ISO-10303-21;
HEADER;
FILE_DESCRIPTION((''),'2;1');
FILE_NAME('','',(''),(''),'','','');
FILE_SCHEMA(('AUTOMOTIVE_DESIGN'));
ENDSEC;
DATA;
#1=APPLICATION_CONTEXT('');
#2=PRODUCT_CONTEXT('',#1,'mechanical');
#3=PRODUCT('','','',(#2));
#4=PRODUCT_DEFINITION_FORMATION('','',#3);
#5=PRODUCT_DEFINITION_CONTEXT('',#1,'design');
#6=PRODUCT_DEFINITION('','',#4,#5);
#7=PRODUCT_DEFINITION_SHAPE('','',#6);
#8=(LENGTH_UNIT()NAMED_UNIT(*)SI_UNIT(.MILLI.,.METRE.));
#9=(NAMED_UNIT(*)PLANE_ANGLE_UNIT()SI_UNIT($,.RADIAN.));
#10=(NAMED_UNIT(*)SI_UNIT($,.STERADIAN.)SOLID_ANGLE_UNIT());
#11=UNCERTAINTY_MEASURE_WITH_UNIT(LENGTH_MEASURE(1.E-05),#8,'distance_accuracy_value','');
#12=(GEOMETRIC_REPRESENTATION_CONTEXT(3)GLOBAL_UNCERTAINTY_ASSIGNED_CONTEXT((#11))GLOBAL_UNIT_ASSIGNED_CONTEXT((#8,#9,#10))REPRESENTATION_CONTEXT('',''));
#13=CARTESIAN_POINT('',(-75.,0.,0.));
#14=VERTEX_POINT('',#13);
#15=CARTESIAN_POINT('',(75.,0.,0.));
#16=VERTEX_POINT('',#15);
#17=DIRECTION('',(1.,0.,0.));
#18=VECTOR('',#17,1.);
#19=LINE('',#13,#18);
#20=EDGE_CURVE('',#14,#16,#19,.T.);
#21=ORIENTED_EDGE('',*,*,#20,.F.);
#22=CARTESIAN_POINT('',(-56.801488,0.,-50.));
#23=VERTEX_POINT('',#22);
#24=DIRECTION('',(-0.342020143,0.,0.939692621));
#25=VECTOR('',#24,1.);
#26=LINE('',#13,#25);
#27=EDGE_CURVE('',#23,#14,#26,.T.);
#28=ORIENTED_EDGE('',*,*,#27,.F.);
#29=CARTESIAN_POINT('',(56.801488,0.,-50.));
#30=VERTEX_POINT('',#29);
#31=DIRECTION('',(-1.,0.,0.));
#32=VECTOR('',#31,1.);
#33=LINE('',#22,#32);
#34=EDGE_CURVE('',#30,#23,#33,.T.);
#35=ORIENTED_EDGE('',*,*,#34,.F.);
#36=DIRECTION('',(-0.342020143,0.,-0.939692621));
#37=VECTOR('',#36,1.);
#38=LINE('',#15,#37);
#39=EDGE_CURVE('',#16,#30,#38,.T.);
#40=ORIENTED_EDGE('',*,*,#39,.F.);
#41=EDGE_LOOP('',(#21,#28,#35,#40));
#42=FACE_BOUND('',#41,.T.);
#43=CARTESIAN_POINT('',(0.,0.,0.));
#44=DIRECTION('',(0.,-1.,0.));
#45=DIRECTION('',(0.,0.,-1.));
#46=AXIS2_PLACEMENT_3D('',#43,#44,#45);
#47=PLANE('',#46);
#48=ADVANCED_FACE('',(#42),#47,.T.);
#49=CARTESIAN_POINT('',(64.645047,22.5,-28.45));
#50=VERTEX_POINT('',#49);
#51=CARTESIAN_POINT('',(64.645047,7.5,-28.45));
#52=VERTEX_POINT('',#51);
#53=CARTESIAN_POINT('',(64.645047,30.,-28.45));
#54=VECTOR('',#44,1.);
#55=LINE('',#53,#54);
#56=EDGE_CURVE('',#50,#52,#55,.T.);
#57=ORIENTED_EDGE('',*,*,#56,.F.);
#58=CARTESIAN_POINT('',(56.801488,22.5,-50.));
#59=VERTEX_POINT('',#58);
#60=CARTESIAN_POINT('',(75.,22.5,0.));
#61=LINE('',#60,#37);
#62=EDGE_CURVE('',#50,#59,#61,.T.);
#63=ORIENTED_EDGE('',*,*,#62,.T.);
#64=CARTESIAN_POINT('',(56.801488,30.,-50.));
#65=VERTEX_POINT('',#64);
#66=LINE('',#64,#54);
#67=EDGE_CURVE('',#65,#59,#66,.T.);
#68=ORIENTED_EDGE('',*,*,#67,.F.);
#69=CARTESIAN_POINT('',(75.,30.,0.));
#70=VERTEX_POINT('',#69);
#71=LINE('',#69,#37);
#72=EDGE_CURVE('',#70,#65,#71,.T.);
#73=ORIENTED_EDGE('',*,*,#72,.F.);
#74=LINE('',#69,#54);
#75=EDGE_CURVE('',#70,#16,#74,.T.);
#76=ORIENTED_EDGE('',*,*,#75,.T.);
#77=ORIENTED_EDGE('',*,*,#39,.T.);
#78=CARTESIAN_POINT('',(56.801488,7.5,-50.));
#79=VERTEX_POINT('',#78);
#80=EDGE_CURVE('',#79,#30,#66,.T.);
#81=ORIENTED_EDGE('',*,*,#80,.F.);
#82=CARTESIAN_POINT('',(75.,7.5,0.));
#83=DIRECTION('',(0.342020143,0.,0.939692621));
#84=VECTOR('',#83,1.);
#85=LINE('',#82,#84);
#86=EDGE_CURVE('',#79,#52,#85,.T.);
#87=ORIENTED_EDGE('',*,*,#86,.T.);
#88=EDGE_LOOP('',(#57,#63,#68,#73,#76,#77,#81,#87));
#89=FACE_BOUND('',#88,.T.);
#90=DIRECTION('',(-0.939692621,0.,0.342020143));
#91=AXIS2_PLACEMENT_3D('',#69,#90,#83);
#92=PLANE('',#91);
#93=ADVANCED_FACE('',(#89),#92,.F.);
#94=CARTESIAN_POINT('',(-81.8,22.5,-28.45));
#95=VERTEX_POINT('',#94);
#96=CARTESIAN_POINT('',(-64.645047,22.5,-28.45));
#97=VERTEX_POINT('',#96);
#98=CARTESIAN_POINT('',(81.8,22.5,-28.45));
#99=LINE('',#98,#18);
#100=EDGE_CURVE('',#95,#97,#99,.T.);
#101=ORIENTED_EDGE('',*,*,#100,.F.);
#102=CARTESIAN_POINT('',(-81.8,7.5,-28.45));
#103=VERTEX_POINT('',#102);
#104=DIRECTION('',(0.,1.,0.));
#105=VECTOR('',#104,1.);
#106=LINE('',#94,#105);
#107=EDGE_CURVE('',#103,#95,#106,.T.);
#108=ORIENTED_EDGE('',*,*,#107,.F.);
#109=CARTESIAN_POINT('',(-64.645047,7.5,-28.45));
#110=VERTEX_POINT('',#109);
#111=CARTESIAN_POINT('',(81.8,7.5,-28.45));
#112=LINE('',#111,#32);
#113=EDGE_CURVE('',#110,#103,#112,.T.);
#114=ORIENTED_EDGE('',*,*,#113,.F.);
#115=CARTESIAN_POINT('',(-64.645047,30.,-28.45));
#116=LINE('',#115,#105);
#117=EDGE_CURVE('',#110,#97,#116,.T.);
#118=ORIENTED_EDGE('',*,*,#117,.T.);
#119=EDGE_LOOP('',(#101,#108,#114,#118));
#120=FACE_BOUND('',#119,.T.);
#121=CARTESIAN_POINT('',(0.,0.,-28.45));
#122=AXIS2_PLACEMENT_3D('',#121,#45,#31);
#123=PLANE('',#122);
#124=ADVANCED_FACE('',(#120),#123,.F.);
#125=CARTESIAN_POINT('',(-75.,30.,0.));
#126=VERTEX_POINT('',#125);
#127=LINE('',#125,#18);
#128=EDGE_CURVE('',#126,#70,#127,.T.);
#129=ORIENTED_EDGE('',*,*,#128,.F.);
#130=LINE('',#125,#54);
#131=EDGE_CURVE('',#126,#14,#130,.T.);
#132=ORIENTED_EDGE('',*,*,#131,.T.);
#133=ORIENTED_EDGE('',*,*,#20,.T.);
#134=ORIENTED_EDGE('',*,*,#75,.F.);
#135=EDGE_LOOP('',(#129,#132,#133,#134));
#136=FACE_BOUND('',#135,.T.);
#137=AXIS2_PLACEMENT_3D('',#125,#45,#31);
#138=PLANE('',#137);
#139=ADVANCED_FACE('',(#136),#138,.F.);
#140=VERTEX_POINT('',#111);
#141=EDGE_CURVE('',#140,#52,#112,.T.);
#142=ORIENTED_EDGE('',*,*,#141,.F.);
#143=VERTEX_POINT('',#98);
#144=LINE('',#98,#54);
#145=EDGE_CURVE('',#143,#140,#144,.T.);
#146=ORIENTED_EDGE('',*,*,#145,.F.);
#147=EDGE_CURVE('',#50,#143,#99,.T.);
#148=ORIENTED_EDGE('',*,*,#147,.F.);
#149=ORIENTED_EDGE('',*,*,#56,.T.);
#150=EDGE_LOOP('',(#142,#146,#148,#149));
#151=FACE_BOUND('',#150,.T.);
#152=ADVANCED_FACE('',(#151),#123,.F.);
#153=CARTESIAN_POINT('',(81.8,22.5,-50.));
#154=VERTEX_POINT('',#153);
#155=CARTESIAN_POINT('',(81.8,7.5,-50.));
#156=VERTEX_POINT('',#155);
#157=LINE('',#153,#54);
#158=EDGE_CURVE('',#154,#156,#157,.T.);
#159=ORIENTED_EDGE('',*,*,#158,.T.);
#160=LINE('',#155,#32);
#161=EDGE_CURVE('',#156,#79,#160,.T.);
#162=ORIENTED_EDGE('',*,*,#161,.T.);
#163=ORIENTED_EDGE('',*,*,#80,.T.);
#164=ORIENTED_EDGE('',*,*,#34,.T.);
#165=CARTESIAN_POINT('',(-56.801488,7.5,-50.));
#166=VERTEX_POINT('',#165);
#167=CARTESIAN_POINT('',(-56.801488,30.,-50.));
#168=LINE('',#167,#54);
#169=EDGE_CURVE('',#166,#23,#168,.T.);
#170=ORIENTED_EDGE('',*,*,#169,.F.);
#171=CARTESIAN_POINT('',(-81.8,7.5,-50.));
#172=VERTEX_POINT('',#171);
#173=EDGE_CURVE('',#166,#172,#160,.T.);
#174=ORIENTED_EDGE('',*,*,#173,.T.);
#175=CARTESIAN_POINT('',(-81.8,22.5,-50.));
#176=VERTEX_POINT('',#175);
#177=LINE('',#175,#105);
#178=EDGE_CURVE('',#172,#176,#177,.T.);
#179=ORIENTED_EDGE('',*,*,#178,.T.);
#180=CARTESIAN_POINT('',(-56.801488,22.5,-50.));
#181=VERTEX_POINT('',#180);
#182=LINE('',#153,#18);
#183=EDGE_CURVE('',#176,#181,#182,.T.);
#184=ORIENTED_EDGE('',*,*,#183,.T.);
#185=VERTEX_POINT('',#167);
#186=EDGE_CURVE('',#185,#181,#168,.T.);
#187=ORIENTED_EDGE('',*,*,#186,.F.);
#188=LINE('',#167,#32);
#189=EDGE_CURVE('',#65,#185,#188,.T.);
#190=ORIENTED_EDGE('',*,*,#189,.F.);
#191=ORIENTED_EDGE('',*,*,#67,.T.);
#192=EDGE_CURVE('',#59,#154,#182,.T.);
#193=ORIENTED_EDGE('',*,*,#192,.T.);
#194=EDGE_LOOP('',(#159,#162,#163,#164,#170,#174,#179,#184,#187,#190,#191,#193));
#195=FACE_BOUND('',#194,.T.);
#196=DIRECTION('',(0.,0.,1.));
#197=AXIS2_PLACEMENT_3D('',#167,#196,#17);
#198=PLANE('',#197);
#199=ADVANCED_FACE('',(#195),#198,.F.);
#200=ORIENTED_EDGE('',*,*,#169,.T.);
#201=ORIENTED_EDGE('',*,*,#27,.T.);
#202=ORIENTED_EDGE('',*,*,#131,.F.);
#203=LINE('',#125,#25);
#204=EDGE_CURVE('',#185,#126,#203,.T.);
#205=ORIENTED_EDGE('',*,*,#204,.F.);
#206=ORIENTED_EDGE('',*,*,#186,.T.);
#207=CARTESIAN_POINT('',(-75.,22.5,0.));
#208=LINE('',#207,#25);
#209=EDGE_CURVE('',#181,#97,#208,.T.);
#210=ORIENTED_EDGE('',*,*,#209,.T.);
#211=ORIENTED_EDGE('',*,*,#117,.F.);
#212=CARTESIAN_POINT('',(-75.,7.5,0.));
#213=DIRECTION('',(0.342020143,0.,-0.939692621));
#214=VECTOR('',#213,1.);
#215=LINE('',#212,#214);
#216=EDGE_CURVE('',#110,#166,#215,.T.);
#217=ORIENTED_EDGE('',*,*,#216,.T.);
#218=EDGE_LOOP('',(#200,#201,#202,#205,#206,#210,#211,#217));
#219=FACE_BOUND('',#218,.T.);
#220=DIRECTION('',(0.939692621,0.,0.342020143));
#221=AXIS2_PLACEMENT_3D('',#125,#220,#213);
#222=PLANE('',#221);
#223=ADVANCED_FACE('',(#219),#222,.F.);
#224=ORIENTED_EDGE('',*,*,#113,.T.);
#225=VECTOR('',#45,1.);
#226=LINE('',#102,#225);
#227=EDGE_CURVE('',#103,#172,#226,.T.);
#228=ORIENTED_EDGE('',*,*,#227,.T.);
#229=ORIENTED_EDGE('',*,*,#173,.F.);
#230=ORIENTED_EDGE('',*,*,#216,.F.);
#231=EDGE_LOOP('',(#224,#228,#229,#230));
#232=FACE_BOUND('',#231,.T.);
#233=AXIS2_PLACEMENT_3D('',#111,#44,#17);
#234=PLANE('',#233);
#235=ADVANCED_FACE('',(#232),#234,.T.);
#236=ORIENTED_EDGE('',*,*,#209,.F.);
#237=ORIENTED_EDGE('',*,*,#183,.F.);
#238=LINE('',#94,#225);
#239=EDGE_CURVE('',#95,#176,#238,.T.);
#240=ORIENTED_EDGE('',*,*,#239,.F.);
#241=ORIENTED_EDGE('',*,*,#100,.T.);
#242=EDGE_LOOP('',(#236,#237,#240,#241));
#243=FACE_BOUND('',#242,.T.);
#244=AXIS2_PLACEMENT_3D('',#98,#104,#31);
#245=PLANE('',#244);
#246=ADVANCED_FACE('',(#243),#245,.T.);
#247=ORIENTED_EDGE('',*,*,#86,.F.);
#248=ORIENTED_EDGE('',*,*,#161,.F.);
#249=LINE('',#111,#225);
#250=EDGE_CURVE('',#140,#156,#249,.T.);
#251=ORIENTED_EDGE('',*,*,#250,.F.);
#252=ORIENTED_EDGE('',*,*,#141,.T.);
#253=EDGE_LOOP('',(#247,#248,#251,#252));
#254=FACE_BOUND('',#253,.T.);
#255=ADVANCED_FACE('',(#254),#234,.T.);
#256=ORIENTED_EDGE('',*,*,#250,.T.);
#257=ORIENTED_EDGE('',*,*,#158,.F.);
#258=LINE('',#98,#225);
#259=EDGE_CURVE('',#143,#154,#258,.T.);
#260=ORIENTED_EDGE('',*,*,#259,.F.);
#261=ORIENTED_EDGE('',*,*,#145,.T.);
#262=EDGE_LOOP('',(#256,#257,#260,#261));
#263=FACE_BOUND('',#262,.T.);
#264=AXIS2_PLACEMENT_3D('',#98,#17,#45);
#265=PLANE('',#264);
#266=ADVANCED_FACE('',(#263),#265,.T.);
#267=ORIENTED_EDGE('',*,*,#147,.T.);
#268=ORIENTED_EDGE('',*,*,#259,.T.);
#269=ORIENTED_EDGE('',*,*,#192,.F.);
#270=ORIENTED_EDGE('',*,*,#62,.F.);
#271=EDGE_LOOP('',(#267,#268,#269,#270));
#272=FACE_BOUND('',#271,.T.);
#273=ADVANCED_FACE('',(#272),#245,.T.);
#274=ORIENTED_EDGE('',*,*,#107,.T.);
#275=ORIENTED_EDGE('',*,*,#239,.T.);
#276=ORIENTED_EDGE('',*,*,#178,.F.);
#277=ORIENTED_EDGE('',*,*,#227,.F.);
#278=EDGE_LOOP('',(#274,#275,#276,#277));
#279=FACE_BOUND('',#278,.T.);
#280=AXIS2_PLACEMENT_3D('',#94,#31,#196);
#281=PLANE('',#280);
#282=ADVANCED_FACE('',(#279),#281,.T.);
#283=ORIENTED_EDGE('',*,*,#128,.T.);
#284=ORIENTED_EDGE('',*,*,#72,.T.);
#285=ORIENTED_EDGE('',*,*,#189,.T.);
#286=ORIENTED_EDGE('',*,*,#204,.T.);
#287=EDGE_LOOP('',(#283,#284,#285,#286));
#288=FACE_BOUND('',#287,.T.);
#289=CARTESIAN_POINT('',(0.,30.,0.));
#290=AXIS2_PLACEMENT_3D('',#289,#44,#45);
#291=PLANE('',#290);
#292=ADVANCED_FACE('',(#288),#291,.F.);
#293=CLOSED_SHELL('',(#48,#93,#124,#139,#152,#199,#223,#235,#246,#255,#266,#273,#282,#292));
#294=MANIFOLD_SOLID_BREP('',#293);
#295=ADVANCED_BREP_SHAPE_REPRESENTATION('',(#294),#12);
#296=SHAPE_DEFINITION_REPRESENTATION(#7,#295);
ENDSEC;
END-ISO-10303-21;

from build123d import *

# Parameters (mm, degrees)
SALIENTE_EXTRUIR4_DEPTH = 30
CROQUIS6_W              = 163.6
CROQUIS6_H              = 15
SALIENTE_EXTRUIR6_DEPTH = 21.55


with BuildPart() as part:
    # Croquis3 → Saliente-Extruir4 (new body)
    with BuildSketch(Plane(origin=(0, 0, 0), x_dir=(1, 0, 0), z_dir=(0, 1, 0))):
        Polygon((-75, 0), (75, 0), (56.801488287, 50), (-56.801488287, 50), align=None)
    extrude(amount=SALIENTE_EXTRUIR4_DEPTH)

    # Croquis6 → Saliente-Extruir6 (add)
    with BuildSketch(Plane(origin=(0, 0, -50), x_dir=(-1, 0, 0), z_dir=(0, 0, -1))):
        with Locations((0, 15)):
            Rectangle(CROQUIS6_W, CROQUIS6_H)
    extrude(amount=-SALIENTE_EXTRUIR6_DEPTH)


solid = part.part
